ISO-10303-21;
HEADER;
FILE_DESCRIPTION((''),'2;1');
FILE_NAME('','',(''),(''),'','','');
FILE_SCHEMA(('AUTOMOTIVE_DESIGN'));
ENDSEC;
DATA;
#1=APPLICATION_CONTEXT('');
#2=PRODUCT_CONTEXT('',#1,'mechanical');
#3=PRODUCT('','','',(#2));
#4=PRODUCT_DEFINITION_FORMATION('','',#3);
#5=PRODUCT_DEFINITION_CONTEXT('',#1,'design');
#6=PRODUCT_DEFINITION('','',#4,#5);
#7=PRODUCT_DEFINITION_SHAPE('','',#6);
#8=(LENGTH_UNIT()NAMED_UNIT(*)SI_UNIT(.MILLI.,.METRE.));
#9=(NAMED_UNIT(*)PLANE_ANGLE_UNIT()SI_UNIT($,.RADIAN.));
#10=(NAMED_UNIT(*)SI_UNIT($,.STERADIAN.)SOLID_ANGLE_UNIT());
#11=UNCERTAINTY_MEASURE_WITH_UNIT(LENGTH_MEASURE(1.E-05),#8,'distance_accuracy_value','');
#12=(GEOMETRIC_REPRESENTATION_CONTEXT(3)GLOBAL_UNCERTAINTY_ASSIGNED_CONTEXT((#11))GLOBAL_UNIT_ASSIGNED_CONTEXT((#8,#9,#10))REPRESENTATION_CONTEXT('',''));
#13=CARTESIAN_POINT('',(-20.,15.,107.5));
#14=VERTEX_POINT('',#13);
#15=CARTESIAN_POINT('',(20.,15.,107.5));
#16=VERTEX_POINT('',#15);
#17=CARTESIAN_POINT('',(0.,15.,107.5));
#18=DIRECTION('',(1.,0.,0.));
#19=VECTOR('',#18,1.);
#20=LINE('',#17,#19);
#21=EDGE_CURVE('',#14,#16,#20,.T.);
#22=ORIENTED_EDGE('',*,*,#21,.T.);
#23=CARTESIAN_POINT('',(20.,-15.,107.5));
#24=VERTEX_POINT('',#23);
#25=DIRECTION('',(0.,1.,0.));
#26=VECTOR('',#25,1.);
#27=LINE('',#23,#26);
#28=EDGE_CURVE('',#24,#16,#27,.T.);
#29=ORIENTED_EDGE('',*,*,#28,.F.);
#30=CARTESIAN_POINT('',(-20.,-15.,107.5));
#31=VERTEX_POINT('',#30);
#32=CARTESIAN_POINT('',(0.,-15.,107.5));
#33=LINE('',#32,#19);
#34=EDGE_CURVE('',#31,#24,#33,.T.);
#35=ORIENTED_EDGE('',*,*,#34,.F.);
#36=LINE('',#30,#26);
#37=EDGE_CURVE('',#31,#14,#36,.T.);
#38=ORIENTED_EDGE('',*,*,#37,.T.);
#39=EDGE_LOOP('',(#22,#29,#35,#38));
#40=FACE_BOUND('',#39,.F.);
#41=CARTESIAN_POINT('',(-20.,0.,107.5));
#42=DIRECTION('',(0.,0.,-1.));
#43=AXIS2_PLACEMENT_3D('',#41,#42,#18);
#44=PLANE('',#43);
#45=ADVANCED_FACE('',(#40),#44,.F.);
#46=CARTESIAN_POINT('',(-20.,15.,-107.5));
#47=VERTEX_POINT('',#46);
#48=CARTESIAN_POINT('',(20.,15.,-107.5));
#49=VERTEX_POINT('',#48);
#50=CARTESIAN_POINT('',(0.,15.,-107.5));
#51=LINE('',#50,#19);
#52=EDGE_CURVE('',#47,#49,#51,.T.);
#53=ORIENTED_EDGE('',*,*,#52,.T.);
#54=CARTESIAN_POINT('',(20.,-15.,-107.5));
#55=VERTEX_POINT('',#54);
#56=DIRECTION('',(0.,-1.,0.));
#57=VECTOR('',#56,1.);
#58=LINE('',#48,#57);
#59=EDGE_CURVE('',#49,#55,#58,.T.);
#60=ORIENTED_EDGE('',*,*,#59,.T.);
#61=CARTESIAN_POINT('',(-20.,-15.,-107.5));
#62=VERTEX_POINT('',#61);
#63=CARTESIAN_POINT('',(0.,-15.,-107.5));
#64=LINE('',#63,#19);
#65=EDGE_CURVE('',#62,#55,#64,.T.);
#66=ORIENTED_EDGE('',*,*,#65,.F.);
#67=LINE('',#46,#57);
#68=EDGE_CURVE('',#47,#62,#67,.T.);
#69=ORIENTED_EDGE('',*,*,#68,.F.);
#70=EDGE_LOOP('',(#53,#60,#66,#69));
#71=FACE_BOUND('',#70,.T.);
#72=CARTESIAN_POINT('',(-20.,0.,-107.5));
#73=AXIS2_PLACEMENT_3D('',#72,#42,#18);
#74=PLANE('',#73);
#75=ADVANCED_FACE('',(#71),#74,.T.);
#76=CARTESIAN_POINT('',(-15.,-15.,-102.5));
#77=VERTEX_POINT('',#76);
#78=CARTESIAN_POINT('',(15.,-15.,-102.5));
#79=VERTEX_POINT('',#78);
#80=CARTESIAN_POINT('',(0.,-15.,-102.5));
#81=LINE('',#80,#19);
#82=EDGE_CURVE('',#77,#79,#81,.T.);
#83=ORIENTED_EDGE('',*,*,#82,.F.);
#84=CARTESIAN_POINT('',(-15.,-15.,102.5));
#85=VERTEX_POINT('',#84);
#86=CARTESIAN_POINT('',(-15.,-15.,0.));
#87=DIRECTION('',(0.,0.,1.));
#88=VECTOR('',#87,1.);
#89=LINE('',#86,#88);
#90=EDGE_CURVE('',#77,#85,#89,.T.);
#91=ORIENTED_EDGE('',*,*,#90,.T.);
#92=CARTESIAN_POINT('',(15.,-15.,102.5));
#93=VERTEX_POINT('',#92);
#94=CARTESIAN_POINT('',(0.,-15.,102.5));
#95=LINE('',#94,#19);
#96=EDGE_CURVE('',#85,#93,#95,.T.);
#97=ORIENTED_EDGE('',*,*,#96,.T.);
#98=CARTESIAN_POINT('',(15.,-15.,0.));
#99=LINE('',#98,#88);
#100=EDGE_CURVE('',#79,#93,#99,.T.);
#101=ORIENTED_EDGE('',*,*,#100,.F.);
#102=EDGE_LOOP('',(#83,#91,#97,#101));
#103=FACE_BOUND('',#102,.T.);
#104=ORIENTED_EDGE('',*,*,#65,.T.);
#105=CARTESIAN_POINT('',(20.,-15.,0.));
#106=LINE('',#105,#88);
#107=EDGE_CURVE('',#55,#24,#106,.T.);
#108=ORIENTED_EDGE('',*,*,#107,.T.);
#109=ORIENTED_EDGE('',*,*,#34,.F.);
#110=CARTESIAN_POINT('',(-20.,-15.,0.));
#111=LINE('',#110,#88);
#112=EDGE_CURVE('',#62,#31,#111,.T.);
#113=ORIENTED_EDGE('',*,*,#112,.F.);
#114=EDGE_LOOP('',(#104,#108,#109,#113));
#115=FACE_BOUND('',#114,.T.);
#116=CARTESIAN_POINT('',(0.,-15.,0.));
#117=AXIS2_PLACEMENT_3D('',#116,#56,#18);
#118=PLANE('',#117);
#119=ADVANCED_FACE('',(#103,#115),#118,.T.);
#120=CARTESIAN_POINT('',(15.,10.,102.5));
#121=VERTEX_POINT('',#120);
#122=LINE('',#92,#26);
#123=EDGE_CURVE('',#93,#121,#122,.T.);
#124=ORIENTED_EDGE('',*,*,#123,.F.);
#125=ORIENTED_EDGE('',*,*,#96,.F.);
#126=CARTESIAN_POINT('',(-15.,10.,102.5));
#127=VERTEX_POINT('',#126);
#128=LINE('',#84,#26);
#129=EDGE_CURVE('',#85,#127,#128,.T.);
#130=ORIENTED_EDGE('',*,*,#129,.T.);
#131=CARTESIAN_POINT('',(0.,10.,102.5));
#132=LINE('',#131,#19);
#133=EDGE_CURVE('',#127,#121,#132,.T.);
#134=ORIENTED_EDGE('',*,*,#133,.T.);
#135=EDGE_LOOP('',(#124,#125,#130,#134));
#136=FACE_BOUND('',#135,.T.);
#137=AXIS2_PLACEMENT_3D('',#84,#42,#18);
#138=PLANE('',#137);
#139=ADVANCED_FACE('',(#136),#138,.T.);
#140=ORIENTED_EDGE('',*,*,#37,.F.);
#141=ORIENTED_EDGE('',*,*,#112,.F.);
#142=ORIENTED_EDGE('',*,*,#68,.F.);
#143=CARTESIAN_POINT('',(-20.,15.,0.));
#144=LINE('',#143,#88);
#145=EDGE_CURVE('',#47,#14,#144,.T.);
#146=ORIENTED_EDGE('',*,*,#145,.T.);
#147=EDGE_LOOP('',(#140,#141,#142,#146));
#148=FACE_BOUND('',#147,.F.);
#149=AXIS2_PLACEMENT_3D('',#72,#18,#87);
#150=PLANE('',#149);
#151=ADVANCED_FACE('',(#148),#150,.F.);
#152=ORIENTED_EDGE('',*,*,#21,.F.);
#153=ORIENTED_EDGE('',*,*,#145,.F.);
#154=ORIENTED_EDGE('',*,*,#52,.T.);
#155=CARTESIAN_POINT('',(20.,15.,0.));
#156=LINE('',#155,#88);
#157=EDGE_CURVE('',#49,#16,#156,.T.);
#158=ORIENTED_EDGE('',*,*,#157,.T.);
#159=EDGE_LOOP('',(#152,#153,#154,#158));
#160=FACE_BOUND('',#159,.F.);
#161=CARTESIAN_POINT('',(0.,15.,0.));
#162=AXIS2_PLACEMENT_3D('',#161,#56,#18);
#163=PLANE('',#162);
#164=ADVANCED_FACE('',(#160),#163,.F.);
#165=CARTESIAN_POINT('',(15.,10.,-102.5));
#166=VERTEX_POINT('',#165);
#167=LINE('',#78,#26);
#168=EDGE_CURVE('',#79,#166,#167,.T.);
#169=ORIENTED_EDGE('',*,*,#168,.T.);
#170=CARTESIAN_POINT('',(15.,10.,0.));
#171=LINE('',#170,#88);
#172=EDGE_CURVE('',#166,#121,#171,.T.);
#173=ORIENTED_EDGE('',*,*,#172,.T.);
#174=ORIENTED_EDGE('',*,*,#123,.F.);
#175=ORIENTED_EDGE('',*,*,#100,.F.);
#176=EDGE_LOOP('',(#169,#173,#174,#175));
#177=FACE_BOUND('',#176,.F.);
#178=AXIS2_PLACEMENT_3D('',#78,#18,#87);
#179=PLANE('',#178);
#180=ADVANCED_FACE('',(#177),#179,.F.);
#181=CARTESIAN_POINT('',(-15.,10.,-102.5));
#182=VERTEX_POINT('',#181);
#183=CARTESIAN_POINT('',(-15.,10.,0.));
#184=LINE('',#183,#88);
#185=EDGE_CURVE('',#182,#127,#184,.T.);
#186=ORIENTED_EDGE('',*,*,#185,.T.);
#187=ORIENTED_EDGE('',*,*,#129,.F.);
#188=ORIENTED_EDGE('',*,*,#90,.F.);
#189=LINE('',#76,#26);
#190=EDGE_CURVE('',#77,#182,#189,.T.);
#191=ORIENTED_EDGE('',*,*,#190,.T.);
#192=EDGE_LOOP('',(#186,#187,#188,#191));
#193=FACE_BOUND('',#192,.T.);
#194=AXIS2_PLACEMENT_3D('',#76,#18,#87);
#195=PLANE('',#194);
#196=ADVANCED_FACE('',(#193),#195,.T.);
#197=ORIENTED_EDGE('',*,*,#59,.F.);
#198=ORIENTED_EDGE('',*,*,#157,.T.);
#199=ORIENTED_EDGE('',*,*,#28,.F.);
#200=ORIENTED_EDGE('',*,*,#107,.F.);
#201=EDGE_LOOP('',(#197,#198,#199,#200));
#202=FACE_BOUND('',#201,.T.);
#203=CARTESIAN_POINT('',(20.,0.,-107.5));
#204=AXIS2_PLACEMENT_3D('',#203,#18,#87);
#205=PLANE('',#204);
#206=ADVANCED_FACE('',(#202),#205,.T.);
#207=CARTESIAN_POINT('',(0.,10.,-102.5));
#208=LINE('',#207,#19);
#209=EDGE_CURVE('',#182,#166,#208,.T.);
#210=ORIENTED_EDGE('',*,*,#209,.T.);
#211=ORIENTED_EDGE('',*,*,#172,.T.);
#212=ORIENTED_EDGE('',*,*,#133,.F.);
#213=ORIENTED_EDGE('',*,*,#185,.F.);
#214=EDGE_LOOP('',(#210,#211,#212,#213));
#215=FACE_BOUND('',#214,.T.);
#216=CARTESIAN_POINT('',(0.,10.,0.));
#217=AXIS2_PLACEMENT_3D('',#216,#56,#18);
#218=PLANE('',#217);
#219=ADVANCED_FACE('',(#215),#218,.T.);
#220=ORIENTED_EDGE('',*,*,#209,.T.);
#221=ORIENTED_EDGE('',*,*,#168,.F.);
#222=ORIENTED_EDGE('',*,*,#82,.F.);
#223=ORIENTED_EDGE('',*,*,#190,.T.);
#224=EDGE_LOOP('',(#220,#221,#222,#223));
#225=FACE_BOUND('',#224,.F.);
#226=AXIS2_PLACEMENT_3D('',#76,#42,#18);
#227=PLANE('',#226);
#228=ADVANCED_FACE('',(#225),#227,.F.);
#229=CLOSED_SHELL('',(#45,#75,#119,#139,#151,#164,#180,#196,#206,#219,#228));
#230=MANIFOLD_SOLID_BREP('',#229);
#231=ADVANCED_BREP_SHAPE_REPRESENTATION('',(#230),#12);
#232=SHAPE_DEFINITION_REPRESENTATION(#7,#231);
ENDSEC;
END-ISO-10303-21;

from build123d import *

# Parameters (mm, degrees)
F0_W     = 40
F0_H     = 215
F1_DEPTH = 15
F2_W     = 30
F2_H     = 205
F3_DEPTH = 25


with BuildPart() as f1:
    # F0 (on Front) → F1 (new body, symmetric)
    with BuildSketch(Plane.XZ):
        Rectangle(F0_W, F0_H)
    extrude(amount=F1_DEPTH, both=True)

    # F2 (on face) → F3 (cut)
    with BuildSketch(Plane.XZ.offset(15)):
        Rectangle(F2_W, F2_H)
    extrude(amount=-F3_DEPTH, mode=Mode.SUBTRACT)


solid = f1.part
